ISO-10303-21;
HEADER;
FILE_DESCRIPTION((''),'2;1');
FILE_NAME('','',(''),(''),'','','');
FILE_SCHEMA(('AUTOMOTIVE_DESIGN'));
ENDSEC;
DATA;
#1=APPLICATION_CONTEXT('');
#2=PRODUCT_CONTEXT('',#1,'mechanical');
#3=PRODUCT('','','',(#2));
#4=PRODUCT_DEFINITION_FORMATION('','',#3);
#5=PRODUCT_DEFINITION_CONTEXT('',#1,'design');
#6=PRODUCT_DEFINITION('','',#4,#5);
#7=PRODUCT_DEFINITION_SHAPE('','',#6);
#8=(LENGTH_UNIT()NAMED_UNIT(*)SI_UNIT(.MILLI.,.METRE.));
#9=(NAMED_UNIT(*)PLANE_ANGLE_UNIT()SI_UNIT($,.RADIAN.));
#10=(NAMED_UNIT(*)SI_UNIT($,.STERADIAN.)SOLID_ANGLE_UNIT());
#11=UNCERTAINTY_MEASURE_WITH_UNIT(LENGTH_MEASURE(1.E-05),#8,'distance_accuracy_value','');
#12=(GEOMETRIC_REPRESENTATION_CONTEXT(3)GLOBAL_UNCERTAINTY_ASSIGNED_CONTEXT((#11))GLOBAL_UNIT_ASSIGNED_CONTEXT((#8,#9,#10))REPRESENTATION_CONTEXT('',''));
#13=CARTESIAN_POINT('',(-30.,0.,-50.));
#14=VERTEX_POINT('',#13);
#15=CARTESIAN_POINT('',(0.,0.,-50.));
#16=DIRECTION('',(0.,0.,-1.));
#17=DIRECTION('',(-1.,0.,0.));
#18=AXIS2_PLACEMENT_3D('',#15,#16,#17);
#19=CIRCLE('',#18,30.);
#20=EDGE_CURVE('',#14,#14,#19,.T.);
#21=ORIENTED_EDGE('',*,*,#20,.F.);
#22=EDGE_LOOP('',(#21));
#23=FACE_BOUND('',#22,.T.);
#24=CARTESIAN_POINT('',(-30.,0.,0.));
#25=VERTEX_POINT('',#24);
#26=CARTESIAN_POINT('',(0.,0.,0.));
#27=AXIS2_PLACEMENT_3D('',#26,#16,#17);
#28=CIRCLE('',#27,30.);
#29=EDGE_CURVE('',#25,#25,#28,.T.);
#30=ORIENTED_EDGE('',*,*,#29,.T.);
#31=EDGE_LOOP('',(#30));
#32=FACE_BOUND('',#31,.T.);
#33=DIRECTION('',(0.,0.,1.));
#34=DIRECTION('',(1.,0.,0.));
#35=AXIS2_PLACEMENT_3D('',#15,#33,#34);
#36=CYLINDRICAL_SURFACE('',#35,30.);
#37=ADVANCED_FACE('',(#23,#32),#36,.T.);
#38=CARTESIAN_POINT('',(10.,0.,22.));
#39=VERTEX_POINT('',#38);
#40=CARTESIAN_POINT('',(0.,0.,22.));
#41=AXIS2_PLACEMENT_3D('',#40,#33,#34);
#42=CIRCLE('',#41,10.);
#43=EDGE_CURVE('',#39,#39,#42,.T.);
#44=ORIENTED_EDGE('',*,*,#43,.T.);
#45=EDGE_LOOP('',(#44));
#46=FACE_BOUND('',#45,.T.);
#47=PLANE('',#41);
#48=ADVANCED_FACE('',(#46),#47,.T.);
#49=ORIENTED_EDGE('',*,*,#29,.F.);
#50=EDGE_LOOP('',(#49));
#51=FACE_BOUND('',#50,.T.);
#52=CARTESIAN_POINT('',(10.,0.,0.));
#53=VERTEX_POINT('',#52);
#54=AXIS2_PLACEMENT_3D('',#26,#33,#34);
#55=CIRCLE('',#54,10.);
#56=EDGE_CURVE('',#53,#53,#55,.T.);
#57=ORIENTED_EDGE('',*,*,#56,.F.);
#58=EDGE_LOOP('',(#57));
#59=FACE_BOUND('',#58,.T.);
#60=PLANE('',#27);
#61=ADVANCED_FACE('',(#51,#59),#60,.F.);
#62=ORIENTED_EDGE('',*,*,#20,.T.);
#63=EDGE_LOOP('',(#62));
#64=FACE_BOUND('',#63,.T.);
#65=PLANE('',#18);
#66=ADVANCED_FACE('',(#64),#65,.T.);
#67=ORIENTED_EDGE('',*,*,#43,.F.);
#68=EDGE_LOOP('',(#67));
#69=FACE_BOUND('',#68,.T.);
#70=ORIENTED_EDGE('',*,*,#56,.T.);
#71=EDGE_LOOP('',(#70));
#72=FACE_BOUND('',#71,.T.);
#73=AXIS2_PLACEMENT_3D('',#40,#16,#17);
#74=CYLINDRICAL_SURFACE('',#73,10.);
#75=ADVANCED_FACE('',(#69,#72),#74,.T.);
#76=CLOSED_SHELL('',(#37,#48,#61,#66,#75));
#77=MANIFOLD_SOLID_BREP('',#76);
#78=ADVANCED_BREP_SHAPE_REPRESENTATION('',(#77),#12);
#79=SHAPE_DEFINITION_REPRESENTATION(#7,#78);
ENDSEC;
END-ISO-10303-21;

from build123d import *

# Parameters (mm, degrees)
ESQUISSE1_R          = 10
BASE_EXTRUSION_DEPTH = 22
ESQUISSE3_R          = 30
BOSS_EXTRU_1_DEPTH   = 50


with BuildPart() as part:
    # Esquisse1 → Base-Extrusion (new body)
    with BuildSketch(Plane.XY):
        Circle(ESQUISSE1_R)
    extrude(amount=BASE_EXTRUSION_DEPTH)

    # Esquisse3 → Boss.-Extru.1 (add)
    with BuildSketch(Plane(origin=(0, 0, 0), x_dir=(-1, 0, 0), z_dir=(0, 0, -1))):
        Circle(ESQUISSE3_R)
    extrude(amount=BOSS_EXTRU_1_DEPTH)


solid = part.part
